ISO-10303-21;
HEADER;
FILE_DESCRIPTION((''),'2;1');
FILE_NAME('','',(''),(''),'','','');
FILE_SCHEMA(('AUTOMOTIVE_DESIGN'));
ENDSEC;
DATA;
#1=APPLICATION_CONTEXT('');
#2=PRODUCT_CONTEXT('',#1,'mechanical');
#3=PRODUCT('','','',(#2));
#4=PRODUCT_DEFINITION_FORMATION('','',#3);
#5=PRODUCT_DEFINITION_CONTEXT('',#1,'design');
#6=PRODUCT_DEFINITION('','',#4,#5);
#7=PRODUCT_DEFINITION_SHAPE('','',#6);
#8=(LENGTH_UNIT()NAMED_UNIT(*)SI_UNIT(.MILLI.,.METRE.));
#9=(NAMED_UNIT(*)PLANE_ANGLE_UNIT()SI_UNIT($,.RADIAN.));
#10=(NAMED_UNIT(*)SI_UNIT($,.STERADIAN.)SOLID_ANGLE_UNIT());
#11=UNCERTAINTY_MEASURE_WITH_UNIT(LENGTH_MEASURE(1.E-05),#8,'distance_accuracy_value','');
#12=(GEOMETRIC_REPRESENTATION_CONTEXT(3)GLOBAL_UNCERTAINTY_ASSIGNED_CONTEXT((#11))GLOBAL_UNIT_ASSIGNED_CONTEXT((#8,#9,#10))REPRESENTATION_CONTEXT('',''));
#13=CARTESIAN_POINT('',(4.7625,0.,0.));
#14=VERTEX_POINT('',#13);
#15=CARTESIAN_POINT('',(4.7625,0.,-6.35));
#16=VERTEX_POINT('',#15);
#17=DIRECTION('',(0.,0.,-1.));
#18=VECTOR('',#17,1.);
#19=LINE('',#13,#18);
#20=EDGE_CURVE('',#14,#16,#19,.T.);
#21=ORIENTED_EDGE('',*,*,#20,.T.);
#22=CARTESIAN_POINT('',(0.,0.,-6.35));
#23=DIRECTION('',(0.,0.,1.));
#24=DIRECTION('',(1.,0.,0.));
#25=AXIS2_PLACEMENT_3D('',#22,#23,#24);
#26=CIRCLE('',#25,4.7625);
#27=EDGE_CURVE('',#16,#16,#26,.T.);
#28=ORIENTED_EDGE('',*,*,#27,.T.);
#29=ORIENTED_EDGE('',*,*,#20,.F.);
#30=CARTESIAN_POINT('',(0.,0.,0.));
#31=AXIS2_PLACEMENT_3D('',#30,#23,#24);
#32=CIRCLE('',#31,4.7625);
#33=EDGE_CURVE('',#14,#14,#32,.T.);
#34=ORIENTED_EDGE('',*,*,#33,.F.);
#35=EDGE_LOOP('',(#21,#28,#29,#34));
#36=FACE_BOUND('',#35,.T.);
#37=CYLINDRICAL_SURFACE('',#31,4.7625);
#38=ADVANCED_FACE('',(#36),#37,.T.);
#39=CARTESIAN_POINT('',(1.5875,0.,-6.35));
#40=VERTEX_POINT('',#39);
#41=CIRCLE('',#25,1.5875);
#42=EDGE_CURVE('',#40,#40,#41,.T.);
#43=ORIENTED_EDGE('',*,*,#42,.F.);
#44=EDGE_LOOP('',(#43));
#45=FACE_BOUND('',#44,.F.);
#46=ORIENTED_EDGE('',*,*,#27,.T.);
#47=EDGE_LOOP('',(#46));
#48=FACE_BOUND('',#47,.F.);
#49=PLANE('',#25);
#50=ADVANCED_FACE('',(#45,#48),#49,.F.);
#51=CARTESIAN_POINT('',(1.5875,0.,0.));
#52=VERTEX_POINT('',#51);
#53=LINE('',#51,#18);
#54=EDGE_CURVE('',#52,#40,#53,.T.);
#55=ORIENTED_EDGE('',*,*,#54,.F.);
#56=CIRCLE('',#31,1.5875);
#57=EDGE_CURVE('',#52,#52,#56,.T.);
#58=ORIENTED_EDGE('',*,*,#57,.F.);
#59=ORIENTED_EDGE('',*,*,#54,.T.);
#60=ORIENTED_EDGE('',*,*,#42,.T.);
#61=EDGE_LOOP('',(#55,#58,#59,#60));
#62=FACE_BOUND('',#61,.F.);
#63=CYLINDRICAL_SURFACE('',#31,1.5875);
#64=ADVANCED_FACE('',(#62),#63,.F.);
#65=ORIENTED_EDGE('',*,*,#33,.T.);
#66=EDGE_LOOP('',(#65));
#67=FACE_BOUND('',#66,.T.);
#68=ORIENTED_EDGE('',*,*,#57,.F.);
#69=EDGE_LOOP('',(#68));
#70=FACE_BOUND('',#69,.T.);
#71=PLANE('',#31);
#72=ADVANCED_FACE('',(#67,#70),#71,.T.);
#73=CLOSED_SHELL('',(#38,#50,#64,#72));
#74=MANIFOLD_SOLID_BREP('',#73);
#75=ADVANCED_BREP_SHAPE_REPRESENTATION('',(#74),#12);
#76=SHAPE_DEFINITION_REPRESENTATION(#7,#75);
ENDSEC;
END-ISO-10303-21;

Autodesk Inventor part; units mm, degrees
ref_plane "YZ Plane" through (0, 0, 0) normal (1, 0, 0) x (0, 1, 0)
ref_plane "XZ Plane" through (0, 0, 0) normal (0, 1, 0) x (-1, 0, 0)
ref_plane "XY Plane" through (0, 0, 0) normal (0, 0, 1) x (1, 0, 0)
sketch "Sketch1" plane through (0, 0, 0) normal (0, 0, 1) x (1, 0, 0)
  circle A0 centre (0, 0) radius 4.7625
  circle A1 centre (0, 0) radius 1.5875
  dimension "d0" = 3.175
  dimension "d1" = 9.525
extrude "Extrusion1" add sketch "Sketch1" against normal blind 6.35
properties part number "sTEEL" material "Steel"
